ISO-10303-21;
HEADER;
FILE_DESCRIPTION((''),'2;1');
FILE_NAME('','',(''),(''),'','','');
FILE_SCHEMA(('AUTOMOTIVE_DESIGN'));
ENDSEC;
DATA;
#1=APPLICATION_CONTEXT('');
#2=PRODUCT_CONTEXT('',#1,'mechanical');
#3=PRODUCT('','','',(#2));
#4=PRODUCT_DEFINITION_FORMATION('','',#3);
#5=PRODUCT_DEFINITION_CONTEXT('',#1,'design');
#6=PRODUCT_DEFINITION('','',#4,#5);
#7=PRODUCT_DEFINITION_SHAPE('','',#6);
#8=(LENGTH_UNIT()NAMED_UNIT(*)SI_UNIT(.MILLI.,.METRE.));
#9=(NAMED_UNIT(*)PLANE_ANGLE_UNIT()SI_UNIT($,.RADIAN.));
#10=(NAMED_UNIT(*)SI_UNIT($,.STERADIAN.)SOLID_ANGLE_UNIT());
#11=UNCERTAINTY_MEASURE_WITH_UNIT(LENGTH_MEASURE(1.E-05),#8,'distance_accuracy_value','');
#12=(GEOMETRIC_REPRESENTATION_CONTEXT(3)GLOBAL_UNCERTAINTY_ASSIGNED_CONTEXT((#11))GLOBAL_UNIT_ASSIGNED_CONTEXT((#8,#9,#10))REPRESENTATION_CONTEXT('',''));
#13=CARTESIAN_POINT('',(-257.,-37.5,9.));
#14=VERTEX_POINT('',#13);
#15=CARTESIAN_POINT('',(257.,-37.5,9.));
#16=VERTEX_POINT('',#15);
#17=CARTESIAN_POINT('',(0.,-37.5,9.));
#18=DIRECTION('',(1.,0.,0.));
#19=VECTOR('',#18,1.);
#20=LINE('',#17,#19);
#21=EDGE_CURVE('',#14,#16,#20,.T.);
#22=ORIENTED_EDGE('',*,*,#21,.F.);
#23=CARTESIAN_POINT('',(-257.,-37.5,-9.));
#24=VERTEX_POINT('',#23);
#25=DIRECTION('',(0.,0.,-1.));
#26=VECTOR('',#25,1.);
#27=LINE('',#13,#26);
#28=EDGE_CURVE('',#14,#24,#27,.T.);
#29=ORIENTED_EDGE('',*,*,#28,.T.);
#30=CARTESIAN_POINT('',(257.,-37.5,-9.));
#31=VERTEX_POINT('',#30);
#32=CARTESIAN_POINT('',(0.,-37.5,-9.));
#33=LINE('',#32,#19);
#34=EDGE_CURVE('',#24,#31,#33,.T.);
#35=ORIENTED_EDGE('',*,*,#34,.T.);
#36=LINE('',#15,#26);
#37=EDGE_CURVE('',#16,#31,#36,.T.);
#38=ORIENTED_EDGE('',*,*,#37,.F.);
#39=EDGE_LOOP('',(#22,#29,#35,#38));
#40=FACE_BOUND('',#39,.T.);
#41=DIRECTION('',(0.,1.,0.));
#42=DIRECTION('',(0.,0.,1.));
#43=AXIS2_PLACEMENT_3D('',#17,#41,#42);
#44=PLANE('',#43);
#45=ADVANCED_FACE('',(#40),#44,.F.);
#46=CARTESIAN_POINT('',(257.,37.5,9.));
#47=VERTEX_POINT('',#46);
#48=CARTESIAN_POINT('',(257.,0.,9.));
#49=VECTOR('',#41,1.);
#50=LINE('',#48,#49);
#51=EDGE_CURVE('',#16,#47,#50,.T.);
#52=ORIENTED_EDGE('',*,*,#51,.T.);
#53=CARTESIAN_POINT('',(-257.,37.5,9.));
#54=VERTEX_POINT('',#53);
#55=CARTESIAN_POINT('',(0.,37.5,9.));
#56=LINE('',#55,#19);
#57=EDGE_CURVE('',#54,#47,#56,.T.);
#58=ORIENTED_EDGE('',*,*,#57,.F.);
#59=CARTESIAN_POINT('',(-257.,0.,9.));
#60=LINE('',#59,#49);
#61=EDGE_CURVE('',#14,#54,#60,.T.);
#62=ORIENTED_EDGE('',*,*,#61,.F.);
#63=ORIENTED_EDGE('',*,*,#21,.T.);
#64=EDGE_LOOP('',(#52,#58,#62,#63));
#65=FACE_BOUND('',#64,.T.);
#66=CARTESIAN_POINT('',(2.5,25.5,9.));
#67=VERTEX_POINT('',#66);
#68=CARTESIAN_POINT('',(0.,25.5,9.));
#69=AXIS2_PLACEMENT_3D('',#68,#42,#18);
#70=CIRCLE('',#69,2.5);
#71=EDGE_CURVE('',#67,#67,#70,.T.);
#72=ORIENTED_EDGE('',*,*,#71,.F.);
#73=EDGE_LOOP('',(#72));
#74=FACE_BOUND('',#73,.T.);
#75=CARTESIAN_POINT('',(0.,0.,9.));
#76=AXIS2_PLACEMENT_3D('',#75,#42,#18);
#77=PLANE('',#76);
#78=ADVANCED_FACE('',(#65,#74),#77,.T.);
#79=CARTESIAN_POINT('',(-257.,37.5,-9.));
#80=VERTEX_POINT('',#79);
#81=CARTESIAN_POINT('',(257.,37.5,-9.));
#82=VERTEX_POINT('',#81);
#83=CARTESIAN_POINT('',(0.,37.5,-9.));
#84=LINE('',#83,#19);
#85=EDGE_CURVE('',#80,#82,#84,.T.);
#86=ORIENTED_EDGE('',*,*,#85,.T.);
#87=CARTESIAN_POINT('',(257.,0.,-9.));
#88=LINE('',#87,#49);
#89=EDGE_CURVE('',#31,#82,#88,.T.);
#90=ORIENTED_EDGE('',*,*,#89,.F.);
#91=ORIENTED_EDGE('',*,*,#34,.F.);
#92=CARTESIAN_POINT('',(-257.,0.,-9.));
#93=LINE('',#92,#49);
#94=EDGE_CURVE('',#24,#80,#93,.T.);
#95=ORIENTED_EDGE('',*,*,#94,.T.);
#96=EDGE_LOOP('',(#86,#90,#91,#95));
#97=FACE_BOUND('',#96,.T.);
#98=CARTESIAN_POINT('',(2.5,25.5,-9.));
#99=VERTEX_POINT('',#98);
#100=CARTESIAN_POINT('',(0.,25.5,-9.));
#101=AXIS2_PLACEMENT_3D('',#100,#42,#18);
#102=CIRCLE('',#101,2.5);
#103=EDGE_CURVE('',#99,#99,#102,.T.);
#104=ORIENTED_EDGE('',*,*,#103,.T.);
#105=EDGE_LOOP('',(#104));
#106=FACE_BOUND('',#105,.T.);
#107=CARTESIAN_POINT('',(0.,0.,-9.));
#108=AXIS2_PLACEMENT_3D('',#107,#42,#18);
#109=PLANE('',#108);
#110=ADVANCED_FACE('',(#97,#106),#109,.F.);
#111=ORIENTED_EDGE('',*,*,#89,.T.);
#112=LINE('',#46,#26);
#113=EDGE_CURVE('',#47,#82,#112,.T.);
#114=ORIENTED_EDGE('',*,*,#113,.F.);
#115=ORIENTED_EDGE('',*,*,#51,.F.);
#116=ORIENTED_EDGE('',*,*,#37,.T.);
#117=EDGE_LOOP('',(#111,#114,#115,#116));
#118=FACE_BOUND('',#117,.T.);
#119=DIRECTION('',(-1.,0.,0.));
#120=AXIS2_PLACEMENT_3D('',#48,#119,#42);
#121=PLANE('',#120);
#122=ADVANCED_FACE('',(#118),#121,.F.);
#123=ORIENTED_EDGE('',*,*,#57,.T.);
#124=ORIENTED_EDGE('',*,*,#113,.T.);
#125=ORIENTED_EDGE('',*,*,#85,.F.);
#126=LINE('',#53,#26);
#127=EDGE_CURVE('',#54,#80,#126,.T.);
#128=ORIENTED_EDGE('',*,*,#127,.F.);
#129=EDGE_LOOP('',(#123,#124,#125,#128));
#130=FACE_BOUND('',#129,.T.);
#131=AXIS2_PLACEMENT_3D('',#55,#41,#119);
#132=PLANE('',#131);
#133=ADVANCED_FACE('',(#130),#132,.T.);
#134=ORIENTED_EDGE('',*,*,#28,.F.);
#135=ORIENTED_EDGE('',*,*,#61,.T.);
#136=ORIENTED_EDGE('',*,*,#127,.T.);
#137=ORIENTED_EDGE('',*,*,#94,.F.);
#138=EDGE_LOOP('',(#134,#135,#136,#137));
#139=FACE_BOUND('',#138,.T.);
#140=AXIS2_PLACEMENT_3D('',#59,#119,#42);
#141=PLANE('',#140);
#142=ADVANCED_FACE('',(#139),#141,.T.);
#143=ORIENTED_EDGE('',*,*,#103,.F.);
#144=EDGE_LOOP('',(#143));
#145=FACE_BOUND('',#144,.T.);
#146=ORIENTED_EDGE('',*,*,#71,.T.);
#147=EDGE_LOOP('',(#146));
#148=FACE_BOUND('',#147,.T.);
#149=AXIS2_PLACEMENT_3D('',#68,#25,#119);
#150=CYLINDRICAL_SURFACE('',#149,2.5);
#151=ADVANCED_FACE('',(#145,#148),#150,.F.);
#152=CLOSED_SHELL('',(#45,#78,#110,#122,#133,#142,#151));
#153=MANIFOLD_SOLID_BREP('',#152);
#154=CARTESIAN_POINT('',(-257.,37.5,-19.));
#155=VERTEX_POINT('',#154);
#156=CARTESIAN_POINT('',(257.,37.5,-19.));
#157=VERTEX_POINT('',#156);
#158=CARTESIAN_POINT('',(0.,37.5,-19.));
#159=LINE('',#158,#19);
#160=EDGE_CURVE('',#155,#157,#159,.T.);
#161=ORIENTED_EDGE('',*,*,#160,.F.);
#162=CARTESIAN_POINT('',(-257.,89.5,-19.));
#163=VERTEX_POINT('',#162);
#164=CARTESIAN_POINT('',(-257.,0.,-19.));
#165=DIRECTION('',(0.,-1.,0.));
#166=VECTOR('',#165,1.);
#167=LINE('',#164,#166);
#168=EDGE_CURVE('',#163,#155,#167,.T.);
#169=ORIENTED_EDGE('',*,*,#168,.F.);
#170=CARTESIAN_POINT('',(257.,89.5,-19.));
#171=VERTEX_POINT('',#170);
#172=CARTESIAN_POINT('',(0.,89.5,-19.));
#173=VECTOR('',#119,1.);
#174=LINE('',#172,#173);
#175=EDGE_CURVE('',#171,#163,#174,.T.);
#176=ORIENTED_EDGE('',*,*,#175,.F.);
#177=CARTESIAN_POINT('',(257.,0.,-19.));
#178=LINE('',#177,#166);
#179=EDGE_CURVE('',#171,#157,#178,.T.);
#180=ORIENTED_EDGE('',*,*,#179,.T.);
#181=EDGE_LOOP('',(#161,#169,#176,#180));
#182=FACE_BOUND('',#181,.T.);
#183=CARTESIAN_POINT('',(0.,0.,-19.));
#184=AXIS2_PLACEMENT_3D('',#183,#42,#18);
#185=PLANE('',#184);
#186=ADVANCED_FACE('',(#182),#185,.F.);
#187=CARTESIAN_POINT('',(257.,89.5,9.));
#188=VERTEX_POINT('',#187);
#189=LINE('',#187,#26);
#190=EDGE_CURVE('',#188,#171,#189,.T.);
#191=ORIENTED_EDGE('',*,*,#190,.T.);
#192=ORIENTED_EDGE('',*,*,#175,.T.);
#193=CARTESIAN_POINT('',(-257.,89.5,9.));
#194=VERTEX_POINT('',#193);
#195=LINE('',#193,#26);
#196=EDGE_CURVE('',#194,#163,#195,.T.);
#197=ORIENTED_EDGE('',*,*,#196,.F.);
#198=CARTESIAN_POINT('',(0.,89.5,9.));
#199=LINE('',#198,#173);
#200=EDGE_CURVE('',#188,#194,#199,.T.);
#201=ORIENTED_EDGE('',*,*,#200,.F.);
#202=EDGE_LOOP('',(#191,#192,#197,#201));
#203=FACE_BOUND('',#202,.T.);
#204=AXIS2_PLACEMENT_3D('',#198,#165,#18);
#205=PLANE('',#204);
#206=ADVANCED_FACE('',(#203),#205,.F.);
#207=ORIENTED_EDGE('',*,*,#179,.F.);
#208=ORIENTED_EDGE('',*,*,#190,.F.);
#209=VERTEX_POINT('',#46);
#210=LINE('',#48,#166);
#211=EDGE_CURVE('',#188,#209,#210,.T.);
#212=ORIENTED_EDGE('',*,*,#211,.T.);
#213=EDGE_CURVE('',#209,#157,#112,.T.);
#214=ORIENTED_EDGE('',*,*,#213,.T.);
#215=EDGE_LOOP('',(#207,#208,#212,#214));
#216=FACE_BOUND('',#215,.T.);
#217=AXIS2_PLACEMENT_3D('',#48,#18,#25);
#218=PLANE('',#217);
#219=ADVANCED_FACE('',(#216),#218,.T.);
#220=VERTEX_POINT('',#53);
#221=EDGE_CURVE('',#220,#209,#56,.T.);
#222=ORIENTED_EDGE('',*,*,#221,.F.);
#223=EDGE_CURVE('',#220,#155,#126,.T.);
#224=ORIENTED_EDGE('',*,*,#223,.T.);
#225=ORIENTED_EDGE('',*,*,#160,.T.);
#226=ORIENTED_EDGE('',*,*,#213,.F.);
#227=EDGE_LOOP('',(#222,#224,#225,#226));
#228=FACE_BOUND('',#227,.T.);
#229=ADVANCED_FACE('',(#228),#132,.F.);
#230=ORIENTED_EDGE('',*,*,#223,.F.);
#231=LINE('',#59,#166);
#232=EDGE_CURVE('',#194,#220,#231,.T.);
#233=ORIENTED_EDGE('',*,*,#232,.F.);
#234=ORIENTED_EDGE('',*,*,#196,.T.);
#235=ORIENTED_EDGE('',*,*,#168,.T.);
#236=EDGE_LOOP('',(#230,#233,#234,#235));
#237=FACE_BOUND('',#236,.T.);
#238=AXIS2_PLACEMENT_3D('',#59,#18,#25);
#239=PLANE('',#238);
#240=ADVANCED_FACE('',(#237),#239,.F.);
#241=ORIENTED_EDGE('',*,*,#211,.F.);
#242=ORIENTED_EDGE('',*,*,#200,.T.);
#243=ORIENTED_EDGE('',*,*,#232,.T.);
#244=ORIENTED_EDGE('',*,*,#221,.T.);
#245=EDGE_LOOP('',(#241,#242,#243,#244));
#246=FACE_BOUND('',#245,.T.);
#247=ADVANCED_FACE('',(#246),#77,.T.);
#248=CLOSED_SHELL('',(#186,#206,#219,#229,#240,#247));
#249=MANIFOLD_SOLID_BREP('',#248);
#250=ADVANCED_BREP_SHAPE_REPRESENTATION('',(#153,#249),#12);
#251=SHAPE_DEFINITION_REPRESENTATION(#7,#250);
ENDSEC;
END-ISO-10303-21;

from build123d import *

# Parameters (mm, degrees)
SKETCH1_3_W         = 514
SKETCH1_3_H         = 52
BOSS_EXTRUDE2_DEPTH = 9
BOSS_EXTRUDE3_START = -19
SKETCH1_4_W         = 514
SKETCH1_4_H         = 52
BOSS_EXTRUDE3_DEPTH = 10
SKETCH1_W           = 514
SKETCH1_H           = 75
SKETCH1_R           = 2.5
BOSS_EXTRUDE1_DEPTH = 9


with BuildPart() as part:
    # Sketch1<3> → Boss-Extrude2 (new, symmetric)
    with BuildSketch(Plane.XY):
        with Locations((0, 63.5)):
            Rectangle(SKETCH1_3_W, SKETCH1_3_H)
    extrude(amount=BOSS_EXTRUDE2_DEPTH, both=True)

    # Sketch1<4> → Boss-Extrude3 (add)
    with BuildSketch(Plane.XY.offset(BOSS_EXTRUDE3_START)):
        with Locations((0, 63.5)):
            Rectangle(SKETCH1_4_W, SKETCH1_4_H)
        with Locations((0, 63.5)):
            Rectangle(SKETCH1_4_W, SKETCH1_4_H)
    extrude(amount=BOSS_EXTRUDE3_DEPTH)


with BuildPart() as body_2:
    # Sketch1 → Boss-Extrude1 (new, symmetric)
    with BuildSketch(Plane.XY):
        Rectangle(SKETCH1_W, SKETCH1_H)
        with Locations((0, 25.5)):
            Circle(SKETCH1_R, mode=Mode.SUBTRACT)
    extrude(amount=BOSS_EXTRUDE1_DEPTH, both=True)


solid = Compound([part.part, body_2.part])
